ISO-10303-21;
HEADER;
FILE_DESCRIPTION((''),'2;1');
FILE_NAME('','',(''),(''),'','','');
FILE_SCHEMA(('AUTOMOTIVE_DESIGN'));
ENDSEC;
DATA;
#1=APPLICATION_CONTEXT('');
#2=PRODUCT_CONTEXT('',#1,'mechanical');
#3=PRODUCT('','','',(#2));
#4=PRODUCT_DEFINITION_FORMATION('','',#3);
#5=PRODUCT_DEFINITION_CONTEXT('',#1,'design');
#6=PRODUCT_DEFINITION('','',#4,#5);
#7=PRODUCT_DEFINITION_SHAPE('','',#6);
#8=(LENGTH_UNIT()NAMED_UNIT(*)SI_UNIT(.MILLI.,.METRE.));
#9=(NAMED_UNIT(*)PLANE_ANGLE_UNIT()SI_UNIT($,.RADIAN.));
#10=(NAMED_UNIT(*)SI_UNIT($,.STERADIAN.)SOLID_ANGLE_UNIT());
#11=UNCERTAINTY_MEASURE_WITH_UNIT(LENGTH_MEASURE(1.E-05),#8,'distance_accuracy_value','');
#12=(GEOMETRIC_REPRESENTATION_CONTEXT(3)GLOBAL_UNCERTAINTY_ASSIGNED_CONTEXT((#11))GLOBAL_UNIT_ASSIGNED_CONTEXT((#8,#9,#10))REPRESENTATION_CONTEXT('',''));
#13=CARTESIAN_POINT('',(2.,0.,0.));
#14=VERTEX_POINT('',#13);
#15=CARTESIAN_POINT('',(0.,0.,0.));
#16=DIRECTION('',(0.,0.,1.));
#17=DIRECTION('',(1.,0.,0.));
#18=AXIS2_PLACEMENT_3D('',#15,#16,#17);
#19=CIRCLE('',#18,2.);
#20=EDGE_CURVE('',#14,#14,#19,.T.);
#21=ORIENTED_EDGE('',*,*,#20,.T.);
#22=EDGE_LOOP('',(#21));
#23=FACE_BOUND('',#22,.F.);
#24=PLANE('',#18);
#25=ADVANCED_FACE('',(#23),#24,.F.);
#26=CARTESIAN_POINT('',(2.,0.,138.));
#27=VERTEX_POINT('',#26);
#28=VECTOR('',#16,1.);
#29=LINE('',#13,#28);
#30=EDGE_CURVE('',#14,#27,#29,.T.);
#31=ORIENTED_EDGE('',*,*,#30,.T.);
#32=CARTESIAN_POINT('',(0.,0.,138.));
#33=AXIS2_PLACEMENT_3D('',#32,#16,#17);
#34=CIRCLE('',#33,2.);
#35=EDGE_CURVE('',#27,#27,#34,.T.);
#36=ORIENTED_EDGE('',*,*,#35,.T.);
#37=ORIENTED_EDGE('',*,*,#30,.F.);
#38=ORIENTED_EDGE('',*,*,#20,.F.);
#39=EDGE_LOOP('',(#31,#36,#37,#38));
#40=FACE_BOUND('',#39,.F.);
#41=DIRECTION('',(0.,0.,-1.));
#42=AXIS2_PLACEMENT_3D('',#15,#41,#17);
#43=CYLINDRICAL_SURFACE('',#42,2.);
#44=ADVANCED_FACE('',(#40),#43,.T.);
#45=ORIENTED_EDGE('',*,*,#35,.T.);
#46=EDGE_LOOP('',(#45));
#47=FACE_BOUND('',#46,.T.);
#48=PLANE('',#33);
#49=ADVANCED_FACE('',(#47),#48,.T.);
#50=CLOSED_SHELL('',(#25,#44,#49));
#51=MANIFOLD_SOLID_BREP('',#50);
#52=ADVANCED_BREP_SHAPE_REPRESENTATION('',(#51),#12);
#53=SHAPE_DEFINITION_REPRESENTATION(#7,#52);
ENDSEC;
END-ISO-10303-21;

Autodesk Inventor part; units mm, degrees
ref_plane "YZ Plane" through (0, 0, 0) normal (1, 0, 0) x (0, 1, 0)
ref_plane "XZ Plane" through (0, 0, 0) normal (0, 1, 0) x (-1, 0, 0)
ref_plane "XY Plane" through (0, 0, 0) normal (0, 0, 1) x (1, 0, 0)
sketch "Sketch1" plane through (0, 0, 0) normal (0, 0, 1) x (1, 0, 0)
  circle A0 centre (0, 0) radius 2
  dimension "d0" = 4
extrude "Extrusion1" add sketch "Sketch1" along normal blind 138
properties part number "Crank Coupler Pin Extended 138 mm" material "Steel, Mild"
